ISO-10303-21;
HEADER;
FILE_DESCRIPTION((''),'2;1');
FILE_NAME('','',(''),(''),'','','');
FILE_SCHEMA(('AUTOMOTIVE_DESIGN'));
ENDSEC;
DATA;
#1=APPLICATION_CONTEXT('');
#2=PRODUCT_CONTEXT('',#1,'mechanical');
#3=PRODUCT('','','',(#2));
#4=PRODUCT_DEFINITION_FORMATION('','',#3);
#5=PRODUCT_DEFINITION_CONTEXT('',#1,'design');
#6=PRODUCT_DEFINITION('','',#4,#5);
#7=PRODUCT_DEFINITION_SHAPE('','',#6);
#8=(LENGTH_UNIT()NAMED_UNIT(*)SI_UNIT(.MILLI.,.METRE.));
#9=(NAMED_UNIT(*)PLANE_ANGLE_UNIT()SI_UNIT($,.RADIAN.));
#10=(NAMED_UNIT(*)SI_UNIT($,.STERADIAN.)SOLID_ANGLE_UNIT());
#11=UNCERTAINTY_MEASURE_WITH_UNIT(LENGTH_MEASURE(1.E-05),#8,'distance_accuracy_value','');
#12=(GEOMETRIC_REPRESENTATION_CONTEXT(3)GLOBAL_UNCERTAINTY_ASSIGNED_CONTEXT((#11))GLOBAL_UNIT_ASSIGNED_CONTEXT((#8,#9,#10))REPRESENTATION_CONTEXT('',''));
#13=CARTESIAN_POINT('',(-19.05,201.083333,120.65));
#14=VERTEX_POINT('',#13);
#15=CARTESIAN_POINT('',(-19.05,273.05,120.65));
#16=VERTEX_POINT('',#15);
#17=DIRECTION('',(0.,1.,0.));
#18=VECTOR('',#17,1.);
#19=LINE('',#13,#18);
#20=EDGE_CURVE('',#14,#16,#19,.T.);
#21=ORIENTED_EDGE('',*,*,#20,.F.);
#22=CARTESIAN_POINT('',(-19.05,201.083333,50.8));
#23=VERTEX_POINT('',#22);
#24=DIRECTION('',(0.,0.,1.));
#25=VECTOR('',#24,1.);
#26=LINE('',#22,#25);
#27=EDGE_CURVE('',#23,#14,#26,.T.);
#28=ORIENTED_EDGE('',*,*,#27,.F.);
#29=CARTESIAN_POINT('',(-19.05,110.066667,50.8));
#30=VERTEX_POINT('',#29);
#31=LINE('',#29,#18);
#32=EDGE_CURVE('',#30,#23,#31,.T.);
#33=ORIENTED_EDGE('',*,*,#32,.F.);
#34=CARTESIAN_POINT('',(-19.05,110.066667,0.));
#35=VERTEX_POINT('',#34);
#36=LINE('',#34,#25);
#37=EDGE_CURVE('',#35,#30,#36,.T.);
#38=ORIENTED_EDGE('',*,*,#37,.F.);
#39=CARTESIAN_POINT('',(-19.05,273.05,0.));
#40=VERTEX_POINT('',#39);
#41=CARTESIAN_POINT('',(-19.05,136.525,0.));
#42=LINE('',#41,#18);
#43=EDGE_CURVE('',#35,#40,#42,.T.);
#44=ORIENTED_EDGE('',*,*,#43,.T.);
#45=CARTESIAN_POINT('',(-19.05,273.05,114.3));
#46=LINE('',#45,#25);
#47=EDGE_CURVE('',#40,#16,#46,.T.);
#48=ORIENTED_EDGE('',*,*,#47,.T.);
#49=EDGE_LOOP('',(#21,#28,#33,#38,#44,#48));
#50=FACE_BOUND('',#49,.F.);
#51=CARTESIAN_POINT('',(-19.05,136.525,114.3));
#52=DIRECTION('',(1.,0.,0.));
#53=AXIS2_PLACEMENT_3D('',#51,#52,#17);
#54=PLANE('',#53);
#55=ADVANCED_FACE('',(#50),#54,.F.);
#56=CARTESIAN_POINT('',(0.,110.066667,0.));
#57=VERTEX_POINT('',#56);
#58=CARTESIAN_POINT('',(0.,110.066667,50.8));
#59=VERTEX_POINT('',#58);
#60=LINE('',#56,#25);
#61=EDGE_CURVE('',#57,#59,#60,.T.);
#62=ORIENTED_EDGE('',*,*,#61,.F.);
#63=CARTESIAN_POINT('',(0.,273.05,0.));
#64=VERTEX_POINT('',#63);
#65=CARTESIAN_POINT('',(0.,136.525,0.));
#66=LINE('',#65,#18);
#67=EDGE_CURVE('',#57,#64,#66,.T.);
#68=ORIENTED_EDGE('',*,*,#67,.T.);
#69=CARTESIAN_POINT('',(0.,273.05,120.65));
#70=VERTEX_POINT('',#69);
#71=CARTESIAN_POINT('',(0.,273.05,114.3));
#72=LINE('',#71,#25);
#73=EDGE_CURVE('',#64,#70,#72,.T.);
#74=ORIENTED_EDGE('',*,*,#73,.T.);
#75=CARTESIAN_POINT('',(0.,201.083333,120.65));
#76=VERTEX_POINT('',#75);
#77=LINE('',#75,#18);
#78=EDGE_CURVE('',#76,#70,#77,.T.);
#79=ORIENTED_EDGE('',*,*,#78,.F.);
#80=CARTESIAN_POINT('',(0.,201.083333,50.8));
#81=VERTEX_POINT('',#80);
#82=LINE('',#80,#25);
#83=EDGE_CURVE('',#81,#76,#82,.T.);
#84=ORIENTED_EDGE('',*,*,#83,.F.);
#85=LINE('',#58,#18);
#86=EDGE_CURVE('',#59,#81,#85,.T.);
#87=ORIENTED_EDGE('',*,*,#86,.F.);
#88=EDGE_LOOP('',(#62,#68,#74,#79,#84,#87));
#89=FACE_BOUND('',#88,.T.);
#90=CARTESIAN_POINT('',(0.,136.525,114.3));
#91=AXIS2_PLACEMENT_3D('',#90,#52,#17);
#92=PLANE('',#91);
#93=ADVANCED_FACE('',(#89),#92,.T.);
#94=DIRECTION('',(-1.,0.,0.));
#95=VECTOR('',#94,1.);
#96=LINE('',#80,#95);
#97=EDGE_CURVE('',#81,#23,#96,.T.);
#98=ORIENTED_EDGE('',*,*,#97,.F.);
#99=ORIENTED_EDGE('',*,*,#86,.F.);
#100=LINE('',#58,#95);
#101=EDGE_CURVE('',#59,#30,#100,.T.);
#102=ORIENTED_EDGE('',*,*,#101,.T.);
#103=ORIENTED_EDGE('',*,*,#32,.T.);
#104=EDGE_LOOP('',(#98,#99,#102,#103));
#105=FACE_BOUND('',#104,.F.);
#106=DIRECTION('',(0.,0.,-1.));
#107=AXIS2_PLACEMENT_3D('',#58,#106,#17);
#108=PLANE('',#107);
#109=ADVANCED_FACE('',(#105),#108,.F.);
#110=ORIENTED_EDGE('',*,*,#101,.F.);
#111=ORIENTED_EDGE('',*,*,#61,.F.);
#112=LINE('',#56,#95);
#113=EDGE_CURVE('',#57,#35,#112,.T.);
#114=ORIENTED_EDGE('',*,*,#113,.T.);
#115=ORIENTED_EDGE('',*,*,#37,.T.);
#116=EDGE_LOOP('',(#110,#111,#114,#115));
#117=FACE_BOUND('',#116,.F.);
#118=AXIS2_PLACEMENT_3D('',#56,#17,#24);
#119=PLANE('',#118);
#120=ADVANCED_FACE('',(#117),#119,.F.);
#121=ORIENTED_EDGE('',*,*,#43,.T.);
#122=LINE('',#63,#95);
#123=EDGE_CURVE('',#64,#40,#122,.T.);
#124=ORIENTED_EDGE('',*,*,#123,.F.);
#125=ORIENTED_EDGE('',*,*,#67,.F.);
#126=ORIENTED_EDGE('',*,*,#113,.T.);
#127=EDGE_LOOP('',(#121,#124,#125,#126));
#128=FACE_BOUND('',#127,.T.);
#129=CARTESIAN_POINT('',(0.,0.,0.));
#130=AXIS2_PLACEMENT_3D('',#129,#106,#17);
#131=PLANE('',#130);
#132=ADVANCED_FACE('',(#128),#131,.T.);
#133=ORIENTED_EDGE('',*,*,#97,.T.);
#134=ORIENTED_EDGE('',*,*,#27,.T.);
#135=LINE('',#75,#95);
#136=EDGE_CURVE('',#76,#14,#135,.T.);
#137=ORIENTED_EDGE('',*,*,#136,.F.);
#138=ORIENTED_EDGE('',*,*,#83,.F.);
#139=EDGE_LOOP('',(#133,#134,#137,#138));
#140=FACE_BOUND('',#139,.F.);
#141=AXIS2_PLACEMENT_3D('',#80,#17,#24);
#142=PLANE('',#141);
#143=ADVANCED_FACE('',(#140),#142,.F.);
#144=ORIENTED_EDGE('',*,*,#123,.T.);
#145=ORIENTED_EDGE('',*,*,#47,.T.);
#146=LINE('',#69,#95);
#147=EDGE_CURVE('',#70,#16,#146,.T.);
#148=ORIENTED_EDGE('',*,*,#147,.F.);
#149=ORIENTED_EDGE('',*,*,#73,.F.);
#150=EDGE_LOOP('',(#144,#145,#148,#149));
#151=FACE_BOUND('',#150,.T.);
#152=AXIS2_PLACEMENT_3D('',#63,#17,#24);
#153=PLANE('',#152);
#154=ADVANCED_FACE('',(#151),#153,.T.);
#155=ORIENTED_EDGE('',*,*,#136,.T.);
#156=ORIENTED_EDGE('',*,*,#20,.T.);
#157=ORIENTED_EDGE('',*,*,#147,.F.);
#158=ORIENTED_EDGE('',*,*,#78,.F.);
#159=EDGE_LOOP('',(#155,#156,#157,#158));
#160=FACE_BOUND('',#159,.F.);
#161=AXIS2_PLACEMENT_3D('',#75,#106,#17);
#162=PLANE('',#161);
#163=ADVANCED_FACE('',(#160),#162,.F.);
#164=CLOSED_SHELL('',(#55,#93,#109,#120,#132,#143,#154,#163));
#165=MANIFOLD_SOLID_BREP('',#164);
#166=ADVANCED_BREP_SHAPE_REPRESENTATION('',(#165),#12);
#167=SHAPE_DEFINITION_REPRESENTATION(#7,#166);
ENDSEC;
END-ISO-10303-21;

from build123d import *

# Parameters (mm, degrees)
F0_W     = 273.05
F0_H     = 228.6
F1_DEPTH = 19.05
F3_DEPTH = 19.05
F5_DEPTH = 19.05


with BuildPart() as f1:
    # F0 (on Right) → F1 (new body)
    with BuildSketch(Plane.YZ):
        with Locations((136.525, 114.3)):
            Rectangle(F0_W, F0_H)
    extrude(amount=-F1_DEPTH)

    # F2 (on face) → F3 (cut, through all)
    with BuildSketch(Plane.YZ):
        Polygon((182.0333333333, 139.7), (273.05, 139.7), (273.05, 228.6), (0, 228.6), (0, 0), (91.0166666667, 0), (91.0166666667, 69.85), (182.0333333333, 69.85), align=None)
    extrude(amount=-F3_DEPTH, mode=Mode.SUBTRACT)

    # F4 (on face) → F5 (cut, through all)
    with BuildSketch(Plane.YZ):
        Polygon((110.0666666667, 0), (110.0666666667, 50.8), (201.0833333333, 50.8), (201.0833333333, 120.65), (273.05, 120.65), (273.05, 139.7), (182.0333333333, 139.7), (182.0333333333, 69.85), (91.0166666667, 69.85), (91.0166666667, 0), align=None)
    extrude(amount=-F5_DEPTH, mode=Mode.SUBTRACT)


solid = f1.part
